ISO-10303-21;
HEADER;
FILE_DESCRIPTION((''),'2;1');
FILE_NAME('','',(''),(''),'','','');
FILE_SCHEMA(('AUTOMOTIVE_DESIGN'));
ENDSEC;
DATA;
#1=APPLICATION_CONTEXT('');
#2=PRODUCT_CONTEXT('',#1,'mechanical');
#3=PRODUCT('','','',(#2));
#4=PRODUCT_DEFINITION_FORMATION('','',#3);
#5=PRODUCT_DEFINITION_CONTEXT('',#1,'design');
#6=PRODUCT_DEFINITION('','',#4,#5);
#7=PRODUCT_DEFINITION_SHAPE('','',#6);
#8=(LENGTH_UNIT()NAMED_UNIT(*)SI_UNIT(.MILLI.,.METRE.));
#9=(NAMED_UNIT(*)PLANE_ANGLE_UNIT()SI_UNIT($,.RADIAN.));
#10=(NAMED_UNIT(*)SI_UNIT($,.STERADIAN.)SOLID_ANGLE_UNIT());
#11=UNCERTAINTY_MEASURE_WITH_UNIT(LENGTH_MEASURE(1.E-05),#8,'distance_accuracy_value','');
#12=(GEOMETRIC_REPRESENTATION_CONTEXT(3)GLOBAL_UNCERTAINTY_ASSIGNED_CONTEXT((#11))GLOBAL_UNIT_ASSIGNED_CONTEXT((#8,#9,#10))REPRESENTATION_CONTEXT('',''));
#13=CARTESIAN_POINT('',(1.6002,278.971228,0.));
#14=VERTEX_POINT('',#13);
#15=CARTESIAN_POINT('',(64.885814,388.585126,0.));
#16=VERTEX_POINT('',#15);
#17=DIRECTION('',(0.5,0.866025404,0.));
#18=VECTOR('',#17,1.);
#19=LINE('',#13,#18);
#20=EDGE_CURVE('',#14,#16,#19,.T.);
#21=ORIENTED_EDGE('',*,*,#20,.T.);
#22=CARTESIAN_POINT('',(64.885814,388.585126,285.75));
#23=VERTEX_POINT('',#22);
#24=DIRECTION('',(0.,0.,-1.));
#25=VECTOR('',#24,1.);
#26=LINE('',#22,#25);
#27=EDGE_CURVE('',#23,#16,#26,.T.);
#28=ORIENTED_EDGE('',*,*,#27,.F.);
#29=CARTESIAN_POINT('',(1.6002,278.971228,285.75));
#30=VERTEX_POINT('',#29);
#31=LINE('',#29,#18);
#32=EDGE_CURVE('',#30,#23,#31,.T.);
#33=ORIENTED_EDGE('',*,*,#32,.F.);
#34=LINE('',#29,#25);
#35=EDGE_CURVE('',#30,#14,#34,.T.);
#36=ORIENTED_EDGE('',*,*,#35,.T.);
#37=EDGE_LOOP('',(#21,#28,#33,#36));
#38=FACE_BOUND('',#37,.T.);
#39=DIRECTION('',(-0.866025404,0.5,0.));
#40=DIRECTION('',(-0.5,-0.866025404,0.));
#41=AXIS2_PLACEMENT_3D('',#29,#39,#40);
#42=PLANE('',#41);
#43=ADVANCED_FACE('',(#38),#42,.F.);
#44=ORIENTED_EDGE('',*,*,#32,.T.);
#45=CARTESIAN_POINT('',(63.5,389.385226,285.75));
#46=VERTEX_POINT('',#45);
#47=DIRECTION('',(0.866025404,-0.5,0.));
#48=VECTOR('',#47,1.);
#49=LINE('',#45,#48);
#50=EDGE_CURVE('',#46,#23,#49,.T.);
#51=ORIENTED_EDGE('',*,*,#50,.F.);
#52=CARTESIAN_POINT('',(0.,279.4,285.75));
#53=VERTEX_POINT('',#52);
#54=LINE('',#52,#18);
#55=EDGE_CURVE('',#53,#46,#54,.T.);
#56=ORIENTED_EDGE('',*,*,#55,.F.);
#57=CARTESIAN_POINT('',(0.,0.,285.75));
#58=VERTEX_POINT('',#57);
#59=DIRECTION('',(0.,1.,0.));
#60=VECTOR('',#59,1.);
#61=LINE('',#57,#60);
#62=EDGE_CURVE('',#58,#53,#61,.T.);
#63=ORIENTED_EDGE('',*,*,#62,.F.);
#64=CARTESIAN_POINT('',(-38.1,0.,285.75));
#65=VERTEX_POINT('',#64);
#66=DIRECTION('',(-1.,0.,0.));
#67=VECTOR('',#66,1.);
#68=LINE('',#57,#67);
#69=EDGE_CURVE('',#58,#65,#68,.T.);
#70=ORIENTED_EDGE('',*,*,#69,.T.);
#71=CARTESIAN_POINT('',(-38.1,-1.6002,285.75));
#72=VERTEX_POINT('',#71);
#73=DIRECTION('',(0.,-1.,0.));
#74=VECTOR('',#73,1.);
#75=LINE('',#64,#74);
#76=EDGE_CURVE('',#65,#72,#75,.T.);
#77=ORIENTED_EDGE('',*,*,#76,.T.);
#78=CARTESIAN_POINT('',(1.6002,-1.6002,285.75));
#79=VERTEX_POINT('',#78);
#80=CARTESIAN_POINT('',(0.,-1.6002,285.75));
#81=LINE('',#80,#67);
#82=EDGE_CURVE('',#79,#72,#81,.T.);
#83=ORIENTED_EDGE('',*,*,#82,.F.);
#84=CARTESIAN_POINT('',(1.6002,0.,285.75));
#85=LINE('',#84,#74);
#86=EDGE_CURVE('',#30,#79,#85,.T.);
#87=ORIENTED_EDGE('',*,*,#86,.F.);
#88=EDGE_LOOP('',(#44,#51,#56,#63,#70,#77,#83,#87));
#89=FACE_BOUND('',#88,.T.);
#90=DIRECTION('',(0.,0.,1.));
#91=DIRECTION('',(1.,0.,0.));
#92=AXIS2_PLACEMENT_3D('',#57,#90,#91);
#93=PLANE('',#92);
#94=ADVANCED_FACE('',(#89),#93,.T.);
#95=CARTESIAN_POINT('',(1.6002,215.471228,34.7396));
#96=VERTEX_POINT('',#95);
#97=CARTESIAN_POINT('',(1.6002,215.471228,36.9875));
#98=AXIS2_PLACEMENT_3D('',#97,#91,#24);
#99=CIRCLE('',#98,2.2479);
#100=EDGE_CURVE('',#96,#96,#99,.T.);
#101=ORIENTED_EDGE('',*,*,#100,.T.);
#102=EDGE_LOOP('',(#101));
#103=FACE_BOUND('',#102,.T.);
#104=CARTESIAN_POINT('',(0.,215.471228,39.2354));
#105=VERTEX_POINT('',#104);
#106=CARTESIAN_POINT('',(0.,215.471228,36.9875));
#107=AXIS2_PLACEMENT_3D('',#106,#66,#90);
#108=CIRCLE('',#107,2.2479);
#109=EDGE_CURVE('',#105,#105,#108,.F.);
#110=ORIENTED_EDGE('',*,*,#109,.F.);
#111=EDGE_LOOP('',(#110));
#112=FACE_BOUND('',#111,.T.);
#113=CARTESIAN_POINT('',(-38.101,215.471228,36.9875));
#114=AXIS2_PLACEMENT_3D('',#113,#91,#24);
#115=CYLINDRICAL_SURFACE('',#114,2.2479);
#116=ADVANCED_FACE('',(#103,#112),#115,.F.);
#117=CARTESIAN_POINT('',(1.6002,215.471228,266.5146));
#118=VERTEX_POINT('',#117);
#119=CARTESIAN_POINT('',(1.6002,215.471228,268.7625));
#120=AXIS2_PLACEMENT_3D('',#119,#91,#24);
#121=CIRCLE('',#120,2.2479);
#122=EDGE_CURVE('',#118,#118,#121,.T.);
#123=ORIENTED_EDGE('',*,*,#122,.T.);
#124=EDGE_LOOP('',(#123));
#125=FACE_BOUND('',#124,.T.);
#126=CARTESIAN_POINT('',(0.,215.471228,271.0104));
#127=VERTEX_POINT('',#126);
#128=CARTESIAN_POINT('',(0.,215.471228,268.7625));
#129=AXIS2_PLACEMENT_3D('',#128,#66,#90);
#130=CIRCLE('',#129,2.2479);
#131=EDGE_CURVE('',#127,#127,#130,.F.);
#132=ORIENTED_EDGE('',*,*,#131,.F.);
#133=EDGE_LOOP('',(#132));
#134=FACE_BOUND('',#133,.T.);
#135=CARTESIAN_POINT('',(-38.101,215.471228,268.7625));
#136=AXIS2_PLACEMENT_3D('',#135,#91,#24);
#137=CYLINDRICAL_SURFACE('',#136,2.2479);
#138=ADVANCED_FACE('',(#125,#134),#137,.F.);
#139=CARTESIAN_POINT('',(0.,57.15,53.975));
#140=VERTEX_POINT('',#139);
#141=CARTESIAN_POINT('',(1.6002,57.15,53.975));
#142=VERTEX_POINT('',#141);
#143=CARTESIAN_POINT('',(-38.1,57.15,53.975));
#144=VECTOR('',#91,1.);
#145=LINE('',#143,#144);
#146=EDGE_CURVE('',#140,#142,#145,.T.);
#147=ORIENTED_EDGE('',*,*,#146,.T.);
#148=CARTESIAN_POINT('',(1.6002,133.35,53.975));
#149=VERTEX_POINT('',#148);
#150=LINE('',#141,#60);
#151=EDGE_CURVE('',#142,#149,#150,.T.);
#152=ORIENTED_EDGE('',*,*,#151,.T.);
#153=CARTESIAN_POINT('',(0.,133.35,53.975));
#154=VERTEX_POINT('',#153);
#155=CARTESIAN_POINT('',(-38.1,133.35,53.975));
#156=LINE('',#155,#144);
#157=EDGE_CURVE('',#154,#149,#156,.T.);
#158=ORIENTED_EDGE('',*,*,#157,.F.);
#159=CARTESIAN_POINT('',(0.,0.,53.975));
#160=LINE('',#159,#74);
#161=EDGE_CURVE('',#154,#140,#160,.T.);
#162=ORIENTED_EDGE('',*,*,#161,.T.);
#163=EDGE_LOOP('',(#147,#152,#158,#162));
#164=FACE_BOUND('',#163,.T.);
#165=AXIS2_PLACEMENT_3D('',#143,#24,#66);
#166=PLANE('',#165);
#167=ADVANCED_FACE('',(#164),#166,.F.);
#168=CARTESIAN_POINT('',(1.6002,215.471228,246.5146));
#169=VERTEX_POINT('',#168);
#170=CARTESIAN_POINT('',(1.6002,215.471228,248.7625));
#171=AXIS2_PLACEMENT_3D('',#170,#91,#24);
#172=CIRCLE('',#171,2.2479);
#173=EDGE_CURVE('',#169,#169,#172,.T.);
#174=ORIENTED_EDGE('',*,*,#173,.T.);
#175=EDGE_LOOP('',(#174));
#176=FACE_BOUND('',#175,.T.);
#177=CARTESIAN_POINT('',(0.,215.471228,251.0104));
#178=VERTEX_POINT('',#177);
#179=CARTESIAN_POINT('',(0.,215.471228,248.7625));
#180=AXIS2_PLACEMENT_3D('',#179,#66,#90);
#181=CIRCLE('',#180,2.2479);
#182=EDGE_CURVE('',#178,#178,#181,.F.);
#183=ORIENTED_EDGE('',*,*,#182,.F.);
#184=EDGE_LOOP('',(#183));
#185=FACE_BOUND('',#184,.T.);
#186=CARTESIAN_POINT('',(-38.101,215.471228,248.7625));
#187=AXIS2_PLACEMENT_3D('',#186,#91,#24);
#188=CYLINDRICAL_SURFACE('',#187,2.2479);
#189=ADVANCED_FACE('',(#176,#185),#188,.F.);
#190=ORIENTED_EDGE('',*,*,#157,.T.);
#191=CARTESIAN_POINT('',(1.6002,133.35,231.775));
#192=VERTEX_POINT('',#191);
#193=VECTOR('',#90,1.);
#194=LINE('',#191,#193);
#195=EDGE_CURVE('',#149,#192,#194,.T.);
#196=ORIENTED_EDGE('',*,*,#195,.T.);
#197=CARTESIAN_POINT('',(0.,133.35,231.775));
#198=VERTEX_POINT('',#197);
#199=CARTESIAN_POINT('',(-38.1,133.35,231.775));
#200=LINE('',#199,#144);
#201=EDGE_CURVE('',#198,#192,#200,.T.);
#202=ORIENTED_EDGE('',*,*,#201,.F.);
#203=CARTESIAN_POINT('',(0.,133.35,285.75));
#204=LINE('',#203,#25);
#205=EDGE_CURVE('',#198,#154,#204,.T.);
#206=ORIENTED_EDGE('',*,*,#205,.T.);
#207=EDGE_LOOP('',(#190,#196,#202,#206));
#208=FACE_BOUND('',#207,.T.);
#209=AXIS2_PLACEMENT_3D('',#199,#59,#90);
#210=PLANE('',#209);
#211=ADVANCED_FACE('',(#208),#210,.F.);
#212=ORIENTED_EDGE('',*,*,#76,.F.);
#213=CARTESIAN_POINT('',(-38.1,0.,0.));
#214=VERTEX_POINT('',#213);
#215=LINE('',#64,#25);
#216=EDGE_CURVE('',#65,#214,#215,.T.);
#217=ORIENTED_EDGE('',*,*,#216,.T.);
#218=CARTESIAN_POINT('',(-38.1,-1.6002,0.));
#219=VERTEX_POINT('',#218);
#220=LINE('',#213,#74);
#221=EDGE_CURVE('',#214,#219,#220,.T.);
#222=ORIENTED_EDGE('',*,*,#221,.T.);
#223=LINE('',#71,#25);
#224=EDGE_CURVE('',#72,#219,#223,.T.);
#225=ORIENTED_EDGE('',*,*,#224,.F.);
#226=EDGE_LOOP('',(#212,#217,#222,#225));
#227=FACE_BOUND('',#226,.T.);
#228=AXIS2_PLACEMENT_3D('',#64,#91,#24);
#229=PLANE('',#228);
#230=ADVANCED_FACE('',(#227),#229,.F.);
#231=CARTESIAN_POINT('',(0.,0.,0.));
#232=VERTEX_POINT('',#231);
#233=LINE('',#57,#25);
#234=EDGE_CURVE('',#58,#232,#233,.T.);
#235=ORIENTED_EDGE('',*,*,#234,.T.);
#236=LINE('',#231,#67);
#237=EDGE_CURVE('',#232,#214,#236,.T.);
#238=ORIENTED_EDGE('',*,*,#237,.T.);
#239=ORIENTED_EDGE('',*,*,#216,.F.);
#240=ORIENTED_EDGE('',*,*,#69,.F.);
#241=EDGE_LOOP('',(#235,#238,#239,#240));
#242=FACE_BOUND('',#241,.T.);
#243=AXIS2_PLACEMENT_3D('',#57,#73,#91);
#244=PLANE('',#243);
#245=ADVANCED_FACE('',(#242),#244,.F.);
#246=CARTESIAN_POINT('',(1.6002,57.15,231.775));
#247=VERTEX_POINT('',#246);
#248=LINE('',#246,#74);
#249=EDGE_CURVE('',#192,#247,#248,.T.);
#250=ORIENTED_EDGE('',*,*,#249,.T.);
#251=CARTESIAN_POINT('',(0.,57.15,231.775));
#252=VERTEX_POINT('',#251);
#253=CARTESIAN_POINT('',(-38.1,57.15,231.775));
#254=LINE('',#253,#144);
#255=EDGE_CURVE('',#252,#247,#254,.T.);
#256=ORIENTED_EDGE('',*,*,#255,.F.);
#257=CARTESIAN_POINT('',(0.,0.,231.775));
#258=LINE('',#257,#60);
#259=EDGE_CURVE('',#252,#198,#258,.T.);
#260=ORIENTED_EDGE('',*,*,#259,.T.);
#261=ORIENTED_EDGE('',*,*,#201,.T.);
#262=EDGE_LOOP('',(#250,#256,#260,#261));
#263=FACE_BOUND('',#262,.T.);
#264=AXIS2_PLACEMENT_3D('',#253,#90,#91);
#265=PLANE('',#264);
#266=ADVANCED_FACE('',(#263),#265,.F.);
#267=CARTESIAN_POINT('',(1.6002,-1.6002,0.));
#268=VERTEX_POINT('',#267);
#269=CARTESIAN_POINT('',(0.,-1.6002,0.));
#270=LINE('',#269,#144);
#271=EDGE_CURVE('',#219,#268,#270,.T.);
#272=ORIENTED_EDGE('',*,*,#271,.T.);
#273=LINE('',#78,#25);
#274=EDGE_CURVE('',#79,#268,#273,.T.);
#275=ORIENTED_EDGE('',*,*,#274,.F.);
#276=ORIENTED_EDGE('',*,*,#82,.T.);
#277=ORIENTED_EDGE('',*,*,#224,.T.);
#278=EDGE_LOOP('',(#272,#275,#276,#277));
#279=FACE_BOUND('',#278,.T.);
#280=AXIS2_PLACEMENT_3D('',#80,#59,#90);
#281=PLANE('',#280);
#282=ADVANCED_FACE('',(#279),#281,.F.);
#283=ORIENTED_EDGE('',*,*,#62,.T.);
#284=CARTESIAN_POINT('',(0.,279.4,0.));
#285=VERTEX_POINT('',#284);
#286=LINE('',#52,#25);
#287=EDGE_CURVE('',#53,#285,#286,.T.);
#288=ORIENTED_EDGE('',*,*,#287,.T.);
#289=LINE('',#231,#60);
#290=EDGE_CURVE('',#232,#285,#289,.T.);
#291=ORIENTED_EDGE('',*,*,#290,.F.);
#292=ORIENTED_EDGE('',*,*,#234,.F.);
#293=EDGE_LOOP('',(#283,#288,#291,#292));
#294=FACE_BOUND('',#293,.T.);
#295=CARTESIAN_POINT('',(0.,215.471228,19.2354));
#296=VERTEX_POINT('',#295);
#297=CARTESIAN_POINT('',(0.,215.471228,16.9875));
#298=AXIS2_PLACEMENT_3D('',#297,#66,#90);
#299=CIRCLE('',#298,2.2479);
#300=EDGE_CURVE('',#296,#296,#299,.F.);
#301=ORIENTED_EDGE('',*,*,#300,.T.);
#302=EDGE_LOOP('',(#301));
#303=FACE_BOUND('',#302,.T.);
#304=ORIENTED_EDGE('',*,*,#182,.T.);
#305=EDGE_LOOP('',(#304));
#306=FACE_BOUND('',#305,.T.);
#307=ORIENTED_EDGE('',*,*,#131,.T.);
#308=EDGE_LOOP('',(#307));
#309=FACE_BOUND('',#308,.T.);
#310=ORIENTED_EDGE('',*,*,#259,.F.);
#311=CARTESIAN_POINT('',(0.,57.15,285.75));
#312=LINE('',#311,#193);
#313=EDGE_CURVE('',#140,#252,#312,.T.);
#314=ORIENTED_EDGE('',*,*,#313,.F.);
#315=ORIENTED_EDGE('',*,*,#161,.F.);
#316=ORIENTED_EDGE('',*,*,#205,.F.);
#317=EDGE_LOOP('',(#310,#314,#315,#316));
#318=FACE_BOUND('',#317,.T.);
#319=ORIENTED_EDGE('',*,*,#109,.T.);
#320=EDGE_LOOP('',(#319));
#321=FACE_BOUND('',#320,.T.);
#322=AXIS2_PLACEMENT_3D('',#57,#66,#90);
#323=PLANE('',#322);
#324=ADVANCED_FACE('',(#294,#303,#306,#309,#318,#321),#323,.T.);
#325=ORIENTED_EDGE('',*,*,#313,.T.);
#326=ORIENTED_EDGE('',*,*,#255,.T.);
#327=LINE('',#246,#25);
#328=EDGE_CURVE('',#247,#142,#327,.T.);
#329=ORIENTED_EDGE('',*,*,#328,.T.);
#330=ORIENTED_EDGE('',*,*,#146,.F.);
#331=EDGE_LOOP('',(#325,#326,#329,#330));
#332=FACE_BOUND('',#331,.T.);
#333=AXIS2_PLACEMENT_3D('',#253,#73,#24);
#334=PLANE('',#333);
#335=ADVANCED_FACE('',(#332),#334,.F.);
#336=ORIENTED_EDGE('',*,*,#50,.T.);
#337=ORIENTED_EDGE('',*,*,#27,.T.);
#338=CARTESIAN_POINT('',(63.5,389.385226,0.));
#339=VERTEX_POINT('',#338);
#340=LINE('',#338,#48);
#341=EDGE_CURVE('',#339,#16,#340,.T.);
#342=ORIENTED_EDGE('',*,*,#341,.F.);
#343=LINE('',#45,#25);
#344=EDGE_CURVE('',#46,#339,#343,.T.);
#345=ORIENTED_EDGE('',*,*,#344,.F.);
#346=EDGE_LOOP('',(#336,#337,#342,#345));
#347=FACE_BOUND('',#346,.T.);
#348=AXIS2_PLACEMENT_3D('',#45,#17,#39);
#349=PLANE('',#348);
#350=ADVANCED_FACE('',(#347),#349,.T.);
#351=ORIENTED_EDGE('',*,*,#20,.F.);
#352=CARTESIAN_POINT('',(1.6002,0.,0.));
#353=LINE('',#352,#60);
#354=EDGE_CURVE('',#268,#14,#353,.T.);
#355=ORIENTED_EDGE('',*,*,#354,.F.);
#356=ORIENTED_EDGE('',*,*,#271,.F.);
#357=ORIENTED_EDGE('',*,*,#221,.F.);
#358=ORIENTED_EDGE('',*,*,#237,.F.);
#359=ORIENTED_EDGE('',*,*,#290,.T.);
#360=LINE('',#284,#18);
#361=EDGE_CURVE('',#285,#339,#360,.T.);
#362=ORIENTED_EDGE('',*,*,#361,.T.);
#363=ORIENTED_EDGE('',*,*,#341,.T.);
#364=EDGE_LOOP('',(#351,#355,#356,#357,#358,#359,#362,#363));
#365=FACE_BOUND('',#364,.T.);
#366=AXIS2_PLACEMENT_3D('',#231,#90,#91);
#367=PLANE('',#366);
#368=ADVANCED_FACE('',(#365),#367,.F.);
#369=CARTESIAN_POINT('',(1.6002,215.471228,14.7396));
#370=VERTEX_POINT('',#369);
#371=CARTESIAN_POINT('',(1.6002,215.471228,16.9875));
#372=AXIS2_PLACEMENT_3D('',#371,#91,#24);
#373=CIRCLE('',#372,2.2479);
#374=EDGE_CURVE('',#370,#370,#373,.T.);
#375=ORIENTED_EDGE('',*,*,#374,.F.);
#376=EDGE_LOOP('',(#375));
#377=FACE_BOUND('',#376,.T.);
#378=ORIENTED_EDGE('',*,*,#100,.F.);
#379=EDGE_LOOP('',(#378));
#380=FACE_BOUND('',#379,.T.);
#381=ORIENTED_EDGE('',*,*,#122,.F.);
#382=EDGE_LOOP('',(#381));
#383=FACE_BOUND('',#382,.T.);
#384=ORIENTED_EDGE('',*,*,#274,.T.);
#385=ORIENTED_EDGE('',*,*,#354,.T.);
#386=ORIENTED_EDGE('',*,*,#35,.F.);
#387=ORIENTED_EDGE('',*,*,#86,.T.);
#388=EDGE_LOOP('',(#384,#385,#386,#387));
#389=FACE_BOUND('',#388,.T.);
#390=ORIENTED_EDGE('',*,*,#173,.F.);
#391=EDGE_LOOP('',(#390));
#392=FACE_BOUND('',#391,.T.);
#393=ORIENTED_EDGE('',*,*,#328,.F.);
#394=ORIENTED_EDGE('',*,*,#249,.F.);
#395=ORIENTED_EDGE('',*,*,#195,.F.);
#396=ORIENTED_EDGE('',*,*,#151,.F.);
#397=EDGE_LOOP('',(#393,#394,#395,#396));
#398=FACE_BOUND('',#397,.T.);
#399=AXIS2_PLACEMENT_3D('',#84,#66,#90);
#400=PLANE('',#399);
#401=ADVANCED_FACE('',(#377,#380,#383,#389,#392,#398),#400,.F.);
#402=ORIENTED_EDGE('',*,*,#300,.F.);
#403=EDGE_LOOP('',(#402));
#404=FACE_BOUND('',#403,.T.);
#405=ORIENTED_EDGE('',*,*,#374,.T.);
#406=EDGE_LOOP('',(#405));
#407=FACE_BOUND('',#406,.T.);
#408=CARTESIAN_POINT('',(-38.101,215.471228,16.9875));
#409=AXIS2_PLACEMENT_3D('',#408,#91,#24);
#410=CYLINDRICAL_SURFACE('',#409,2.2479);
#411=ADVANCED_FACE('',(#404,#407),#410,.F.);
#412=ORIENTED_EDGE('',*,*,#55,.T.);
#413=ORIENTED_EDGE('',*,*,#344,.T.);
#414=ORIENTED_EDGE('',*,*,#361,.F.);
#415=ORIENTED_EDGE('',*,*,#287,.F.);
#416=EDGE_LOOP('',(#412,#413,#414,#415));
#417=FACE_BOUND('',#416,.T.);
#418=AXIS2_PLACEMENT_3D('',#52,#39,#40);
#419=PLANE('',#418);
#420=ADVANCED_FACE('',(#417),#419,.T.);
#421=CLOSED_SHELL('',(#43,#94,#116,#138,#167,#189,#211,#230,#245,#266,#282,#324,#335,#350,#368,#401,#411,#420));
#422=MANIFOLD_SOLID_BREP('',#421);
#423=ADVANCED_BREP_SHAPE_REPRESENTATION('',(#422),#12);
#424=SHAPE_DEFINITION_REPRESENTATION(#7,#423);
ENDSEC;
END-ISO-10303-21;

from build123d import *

# Parameters (mm, degrees)
BOSS_EXTRUDE1_DEPTH = 285.75
SKETCH2_W           = 177.8
SKETCH2_H           = 76.2
CUT_EXTRUDE1_DEPTH  = 40.7002
CUT_EXTRUDE2_REACH  = 41.7
SKETCH3_R           = 2.2479


with BuildPart() as part:
    # Sketch1 → Boss-Extrude1 (new body)
    with BuildSketch(Plane.XY):
        Polygon((0, 0), (0, 279.4), (63.5, 389.385226281), (64.885813851, 388.585126281), (1.6002, 278.971227702), (1.6002, 0), (1.6002, -1.6002), (0, -1.6002), (-38.1, -1.6002), (-38.1, 0), align=None)
    extrude(amount=BOSS_EXTRUDE1_DEPTH)

    # Sketch2 → Cut-Extrude1 (cut, through all)
    with BuildSketch(Plane(origin=(1.6002, 0, 0), x_dir=(0, 0, -1), z_dir=(1, 0, 0))):
        with Locations((-142.875, 95.25)):
            Rectangle(SKETCH2_W, SKETCH2_H)
    extrude(amount=-CUT_EXTRUDE1_DEPTH, mode=Mode.SUBTRACT)

    # Sketch3 → Cut-Extrude2 (cut, up to next)
    with BuildSketch(Plane(origin=(1.6002, 0, 0), x_dir=(0, 0, -1), z_dir=(1, 0, 0)), mode=Mode.PRIVATE) as cut_extrude2_sk1:
        with Locations((-268.762499939, 215.471227702)):
            Circle(SKETCH3_R)
    cut_extrude2_tool1 = extrude(cut_extrude2_sk1.sketch, amount=-CUT_EXTRUDE2_REACH, mode=Mode.PRIVATE) & part.part
    add(cut_extrude2_tool1.solids().sort_by_distance((1.6002, 215.471228, 268.7625))[0], mode=Mode.SUBTRACT)
    # Sketch3 → Cut-Extrude2 (cut, up to next)
    with BuildSketch(Plane(origin=(1.6002, 0, 0), x_dir=(0, 0, -1), z_dir=(1, 0, 0)), mode=Mode.PRIVATE) as cut_extrude2_sk2:
        with Locations((-248.762500061, 215.471227702)):
            Circle(SKETCH3_R)
    cut_extrude2_tool2 = extrude(cut_extrude2_sk2.sketch, amount=-CUT_EXTRUDE2_REACH, mode=Mode.PRIVATE) & part.part
    add(cut_extrude2_tool2.solids().sort_by_distance((1.6002, 215.471228, 248.7625))[0], mode=Mode.SUBTRACT)
    # Sketch3 → Cut-Extrude2 (cut, up to next)
    with BuildSketch(Plane(origin=(1.6002, 0, 0), x_dir=(0, 0, -1), z_dir=(1, 0, 0)), mode=Mode.PRIVATE) as cut_extrude2_sk3:
        with Locations((-16.987500061, 215.471227702)):
            Circle(SKETCH3_R)
    cut_extrude2_tool3 = extrude(cut_extrude2_sk3.sketch, amount=-CUT_EXTRUDE2_REACH, mode=Mode.PRIVATE) & part.part
    add(cut_extrude2_tool3.solids().sort_by_distance((1.6002, 215.471228, 16.9875))[0], mode=Mode.SUBTRACT)
    # Sketch3 → Cut-Extrude2 (cut, up to next)
    with BuildSketch(Plane(origin=(1.6002, 0, 0), x_dir=(0, 0, -1), z_dir=(1, 0, 0)), mode=Mode.PRIVATE) as cut_extrude2_sk4:
        with Locations((-36.987499939, 215.471227702)):
            Circle(SKETCH3_R)
    cut_extrude2_tool4 = extrude(cut_extrude2_sk4.sketch, amount=-CUT_EXTRUDE2_REACH, mode=Mode.PRIVATE) & part.part
    add(cut_extrude2_tool4.solids().sort_by_distance((1.6002, 215.471228, 36.9875))[0], mode=Mode.SUBTRACT)


solid = part.part
